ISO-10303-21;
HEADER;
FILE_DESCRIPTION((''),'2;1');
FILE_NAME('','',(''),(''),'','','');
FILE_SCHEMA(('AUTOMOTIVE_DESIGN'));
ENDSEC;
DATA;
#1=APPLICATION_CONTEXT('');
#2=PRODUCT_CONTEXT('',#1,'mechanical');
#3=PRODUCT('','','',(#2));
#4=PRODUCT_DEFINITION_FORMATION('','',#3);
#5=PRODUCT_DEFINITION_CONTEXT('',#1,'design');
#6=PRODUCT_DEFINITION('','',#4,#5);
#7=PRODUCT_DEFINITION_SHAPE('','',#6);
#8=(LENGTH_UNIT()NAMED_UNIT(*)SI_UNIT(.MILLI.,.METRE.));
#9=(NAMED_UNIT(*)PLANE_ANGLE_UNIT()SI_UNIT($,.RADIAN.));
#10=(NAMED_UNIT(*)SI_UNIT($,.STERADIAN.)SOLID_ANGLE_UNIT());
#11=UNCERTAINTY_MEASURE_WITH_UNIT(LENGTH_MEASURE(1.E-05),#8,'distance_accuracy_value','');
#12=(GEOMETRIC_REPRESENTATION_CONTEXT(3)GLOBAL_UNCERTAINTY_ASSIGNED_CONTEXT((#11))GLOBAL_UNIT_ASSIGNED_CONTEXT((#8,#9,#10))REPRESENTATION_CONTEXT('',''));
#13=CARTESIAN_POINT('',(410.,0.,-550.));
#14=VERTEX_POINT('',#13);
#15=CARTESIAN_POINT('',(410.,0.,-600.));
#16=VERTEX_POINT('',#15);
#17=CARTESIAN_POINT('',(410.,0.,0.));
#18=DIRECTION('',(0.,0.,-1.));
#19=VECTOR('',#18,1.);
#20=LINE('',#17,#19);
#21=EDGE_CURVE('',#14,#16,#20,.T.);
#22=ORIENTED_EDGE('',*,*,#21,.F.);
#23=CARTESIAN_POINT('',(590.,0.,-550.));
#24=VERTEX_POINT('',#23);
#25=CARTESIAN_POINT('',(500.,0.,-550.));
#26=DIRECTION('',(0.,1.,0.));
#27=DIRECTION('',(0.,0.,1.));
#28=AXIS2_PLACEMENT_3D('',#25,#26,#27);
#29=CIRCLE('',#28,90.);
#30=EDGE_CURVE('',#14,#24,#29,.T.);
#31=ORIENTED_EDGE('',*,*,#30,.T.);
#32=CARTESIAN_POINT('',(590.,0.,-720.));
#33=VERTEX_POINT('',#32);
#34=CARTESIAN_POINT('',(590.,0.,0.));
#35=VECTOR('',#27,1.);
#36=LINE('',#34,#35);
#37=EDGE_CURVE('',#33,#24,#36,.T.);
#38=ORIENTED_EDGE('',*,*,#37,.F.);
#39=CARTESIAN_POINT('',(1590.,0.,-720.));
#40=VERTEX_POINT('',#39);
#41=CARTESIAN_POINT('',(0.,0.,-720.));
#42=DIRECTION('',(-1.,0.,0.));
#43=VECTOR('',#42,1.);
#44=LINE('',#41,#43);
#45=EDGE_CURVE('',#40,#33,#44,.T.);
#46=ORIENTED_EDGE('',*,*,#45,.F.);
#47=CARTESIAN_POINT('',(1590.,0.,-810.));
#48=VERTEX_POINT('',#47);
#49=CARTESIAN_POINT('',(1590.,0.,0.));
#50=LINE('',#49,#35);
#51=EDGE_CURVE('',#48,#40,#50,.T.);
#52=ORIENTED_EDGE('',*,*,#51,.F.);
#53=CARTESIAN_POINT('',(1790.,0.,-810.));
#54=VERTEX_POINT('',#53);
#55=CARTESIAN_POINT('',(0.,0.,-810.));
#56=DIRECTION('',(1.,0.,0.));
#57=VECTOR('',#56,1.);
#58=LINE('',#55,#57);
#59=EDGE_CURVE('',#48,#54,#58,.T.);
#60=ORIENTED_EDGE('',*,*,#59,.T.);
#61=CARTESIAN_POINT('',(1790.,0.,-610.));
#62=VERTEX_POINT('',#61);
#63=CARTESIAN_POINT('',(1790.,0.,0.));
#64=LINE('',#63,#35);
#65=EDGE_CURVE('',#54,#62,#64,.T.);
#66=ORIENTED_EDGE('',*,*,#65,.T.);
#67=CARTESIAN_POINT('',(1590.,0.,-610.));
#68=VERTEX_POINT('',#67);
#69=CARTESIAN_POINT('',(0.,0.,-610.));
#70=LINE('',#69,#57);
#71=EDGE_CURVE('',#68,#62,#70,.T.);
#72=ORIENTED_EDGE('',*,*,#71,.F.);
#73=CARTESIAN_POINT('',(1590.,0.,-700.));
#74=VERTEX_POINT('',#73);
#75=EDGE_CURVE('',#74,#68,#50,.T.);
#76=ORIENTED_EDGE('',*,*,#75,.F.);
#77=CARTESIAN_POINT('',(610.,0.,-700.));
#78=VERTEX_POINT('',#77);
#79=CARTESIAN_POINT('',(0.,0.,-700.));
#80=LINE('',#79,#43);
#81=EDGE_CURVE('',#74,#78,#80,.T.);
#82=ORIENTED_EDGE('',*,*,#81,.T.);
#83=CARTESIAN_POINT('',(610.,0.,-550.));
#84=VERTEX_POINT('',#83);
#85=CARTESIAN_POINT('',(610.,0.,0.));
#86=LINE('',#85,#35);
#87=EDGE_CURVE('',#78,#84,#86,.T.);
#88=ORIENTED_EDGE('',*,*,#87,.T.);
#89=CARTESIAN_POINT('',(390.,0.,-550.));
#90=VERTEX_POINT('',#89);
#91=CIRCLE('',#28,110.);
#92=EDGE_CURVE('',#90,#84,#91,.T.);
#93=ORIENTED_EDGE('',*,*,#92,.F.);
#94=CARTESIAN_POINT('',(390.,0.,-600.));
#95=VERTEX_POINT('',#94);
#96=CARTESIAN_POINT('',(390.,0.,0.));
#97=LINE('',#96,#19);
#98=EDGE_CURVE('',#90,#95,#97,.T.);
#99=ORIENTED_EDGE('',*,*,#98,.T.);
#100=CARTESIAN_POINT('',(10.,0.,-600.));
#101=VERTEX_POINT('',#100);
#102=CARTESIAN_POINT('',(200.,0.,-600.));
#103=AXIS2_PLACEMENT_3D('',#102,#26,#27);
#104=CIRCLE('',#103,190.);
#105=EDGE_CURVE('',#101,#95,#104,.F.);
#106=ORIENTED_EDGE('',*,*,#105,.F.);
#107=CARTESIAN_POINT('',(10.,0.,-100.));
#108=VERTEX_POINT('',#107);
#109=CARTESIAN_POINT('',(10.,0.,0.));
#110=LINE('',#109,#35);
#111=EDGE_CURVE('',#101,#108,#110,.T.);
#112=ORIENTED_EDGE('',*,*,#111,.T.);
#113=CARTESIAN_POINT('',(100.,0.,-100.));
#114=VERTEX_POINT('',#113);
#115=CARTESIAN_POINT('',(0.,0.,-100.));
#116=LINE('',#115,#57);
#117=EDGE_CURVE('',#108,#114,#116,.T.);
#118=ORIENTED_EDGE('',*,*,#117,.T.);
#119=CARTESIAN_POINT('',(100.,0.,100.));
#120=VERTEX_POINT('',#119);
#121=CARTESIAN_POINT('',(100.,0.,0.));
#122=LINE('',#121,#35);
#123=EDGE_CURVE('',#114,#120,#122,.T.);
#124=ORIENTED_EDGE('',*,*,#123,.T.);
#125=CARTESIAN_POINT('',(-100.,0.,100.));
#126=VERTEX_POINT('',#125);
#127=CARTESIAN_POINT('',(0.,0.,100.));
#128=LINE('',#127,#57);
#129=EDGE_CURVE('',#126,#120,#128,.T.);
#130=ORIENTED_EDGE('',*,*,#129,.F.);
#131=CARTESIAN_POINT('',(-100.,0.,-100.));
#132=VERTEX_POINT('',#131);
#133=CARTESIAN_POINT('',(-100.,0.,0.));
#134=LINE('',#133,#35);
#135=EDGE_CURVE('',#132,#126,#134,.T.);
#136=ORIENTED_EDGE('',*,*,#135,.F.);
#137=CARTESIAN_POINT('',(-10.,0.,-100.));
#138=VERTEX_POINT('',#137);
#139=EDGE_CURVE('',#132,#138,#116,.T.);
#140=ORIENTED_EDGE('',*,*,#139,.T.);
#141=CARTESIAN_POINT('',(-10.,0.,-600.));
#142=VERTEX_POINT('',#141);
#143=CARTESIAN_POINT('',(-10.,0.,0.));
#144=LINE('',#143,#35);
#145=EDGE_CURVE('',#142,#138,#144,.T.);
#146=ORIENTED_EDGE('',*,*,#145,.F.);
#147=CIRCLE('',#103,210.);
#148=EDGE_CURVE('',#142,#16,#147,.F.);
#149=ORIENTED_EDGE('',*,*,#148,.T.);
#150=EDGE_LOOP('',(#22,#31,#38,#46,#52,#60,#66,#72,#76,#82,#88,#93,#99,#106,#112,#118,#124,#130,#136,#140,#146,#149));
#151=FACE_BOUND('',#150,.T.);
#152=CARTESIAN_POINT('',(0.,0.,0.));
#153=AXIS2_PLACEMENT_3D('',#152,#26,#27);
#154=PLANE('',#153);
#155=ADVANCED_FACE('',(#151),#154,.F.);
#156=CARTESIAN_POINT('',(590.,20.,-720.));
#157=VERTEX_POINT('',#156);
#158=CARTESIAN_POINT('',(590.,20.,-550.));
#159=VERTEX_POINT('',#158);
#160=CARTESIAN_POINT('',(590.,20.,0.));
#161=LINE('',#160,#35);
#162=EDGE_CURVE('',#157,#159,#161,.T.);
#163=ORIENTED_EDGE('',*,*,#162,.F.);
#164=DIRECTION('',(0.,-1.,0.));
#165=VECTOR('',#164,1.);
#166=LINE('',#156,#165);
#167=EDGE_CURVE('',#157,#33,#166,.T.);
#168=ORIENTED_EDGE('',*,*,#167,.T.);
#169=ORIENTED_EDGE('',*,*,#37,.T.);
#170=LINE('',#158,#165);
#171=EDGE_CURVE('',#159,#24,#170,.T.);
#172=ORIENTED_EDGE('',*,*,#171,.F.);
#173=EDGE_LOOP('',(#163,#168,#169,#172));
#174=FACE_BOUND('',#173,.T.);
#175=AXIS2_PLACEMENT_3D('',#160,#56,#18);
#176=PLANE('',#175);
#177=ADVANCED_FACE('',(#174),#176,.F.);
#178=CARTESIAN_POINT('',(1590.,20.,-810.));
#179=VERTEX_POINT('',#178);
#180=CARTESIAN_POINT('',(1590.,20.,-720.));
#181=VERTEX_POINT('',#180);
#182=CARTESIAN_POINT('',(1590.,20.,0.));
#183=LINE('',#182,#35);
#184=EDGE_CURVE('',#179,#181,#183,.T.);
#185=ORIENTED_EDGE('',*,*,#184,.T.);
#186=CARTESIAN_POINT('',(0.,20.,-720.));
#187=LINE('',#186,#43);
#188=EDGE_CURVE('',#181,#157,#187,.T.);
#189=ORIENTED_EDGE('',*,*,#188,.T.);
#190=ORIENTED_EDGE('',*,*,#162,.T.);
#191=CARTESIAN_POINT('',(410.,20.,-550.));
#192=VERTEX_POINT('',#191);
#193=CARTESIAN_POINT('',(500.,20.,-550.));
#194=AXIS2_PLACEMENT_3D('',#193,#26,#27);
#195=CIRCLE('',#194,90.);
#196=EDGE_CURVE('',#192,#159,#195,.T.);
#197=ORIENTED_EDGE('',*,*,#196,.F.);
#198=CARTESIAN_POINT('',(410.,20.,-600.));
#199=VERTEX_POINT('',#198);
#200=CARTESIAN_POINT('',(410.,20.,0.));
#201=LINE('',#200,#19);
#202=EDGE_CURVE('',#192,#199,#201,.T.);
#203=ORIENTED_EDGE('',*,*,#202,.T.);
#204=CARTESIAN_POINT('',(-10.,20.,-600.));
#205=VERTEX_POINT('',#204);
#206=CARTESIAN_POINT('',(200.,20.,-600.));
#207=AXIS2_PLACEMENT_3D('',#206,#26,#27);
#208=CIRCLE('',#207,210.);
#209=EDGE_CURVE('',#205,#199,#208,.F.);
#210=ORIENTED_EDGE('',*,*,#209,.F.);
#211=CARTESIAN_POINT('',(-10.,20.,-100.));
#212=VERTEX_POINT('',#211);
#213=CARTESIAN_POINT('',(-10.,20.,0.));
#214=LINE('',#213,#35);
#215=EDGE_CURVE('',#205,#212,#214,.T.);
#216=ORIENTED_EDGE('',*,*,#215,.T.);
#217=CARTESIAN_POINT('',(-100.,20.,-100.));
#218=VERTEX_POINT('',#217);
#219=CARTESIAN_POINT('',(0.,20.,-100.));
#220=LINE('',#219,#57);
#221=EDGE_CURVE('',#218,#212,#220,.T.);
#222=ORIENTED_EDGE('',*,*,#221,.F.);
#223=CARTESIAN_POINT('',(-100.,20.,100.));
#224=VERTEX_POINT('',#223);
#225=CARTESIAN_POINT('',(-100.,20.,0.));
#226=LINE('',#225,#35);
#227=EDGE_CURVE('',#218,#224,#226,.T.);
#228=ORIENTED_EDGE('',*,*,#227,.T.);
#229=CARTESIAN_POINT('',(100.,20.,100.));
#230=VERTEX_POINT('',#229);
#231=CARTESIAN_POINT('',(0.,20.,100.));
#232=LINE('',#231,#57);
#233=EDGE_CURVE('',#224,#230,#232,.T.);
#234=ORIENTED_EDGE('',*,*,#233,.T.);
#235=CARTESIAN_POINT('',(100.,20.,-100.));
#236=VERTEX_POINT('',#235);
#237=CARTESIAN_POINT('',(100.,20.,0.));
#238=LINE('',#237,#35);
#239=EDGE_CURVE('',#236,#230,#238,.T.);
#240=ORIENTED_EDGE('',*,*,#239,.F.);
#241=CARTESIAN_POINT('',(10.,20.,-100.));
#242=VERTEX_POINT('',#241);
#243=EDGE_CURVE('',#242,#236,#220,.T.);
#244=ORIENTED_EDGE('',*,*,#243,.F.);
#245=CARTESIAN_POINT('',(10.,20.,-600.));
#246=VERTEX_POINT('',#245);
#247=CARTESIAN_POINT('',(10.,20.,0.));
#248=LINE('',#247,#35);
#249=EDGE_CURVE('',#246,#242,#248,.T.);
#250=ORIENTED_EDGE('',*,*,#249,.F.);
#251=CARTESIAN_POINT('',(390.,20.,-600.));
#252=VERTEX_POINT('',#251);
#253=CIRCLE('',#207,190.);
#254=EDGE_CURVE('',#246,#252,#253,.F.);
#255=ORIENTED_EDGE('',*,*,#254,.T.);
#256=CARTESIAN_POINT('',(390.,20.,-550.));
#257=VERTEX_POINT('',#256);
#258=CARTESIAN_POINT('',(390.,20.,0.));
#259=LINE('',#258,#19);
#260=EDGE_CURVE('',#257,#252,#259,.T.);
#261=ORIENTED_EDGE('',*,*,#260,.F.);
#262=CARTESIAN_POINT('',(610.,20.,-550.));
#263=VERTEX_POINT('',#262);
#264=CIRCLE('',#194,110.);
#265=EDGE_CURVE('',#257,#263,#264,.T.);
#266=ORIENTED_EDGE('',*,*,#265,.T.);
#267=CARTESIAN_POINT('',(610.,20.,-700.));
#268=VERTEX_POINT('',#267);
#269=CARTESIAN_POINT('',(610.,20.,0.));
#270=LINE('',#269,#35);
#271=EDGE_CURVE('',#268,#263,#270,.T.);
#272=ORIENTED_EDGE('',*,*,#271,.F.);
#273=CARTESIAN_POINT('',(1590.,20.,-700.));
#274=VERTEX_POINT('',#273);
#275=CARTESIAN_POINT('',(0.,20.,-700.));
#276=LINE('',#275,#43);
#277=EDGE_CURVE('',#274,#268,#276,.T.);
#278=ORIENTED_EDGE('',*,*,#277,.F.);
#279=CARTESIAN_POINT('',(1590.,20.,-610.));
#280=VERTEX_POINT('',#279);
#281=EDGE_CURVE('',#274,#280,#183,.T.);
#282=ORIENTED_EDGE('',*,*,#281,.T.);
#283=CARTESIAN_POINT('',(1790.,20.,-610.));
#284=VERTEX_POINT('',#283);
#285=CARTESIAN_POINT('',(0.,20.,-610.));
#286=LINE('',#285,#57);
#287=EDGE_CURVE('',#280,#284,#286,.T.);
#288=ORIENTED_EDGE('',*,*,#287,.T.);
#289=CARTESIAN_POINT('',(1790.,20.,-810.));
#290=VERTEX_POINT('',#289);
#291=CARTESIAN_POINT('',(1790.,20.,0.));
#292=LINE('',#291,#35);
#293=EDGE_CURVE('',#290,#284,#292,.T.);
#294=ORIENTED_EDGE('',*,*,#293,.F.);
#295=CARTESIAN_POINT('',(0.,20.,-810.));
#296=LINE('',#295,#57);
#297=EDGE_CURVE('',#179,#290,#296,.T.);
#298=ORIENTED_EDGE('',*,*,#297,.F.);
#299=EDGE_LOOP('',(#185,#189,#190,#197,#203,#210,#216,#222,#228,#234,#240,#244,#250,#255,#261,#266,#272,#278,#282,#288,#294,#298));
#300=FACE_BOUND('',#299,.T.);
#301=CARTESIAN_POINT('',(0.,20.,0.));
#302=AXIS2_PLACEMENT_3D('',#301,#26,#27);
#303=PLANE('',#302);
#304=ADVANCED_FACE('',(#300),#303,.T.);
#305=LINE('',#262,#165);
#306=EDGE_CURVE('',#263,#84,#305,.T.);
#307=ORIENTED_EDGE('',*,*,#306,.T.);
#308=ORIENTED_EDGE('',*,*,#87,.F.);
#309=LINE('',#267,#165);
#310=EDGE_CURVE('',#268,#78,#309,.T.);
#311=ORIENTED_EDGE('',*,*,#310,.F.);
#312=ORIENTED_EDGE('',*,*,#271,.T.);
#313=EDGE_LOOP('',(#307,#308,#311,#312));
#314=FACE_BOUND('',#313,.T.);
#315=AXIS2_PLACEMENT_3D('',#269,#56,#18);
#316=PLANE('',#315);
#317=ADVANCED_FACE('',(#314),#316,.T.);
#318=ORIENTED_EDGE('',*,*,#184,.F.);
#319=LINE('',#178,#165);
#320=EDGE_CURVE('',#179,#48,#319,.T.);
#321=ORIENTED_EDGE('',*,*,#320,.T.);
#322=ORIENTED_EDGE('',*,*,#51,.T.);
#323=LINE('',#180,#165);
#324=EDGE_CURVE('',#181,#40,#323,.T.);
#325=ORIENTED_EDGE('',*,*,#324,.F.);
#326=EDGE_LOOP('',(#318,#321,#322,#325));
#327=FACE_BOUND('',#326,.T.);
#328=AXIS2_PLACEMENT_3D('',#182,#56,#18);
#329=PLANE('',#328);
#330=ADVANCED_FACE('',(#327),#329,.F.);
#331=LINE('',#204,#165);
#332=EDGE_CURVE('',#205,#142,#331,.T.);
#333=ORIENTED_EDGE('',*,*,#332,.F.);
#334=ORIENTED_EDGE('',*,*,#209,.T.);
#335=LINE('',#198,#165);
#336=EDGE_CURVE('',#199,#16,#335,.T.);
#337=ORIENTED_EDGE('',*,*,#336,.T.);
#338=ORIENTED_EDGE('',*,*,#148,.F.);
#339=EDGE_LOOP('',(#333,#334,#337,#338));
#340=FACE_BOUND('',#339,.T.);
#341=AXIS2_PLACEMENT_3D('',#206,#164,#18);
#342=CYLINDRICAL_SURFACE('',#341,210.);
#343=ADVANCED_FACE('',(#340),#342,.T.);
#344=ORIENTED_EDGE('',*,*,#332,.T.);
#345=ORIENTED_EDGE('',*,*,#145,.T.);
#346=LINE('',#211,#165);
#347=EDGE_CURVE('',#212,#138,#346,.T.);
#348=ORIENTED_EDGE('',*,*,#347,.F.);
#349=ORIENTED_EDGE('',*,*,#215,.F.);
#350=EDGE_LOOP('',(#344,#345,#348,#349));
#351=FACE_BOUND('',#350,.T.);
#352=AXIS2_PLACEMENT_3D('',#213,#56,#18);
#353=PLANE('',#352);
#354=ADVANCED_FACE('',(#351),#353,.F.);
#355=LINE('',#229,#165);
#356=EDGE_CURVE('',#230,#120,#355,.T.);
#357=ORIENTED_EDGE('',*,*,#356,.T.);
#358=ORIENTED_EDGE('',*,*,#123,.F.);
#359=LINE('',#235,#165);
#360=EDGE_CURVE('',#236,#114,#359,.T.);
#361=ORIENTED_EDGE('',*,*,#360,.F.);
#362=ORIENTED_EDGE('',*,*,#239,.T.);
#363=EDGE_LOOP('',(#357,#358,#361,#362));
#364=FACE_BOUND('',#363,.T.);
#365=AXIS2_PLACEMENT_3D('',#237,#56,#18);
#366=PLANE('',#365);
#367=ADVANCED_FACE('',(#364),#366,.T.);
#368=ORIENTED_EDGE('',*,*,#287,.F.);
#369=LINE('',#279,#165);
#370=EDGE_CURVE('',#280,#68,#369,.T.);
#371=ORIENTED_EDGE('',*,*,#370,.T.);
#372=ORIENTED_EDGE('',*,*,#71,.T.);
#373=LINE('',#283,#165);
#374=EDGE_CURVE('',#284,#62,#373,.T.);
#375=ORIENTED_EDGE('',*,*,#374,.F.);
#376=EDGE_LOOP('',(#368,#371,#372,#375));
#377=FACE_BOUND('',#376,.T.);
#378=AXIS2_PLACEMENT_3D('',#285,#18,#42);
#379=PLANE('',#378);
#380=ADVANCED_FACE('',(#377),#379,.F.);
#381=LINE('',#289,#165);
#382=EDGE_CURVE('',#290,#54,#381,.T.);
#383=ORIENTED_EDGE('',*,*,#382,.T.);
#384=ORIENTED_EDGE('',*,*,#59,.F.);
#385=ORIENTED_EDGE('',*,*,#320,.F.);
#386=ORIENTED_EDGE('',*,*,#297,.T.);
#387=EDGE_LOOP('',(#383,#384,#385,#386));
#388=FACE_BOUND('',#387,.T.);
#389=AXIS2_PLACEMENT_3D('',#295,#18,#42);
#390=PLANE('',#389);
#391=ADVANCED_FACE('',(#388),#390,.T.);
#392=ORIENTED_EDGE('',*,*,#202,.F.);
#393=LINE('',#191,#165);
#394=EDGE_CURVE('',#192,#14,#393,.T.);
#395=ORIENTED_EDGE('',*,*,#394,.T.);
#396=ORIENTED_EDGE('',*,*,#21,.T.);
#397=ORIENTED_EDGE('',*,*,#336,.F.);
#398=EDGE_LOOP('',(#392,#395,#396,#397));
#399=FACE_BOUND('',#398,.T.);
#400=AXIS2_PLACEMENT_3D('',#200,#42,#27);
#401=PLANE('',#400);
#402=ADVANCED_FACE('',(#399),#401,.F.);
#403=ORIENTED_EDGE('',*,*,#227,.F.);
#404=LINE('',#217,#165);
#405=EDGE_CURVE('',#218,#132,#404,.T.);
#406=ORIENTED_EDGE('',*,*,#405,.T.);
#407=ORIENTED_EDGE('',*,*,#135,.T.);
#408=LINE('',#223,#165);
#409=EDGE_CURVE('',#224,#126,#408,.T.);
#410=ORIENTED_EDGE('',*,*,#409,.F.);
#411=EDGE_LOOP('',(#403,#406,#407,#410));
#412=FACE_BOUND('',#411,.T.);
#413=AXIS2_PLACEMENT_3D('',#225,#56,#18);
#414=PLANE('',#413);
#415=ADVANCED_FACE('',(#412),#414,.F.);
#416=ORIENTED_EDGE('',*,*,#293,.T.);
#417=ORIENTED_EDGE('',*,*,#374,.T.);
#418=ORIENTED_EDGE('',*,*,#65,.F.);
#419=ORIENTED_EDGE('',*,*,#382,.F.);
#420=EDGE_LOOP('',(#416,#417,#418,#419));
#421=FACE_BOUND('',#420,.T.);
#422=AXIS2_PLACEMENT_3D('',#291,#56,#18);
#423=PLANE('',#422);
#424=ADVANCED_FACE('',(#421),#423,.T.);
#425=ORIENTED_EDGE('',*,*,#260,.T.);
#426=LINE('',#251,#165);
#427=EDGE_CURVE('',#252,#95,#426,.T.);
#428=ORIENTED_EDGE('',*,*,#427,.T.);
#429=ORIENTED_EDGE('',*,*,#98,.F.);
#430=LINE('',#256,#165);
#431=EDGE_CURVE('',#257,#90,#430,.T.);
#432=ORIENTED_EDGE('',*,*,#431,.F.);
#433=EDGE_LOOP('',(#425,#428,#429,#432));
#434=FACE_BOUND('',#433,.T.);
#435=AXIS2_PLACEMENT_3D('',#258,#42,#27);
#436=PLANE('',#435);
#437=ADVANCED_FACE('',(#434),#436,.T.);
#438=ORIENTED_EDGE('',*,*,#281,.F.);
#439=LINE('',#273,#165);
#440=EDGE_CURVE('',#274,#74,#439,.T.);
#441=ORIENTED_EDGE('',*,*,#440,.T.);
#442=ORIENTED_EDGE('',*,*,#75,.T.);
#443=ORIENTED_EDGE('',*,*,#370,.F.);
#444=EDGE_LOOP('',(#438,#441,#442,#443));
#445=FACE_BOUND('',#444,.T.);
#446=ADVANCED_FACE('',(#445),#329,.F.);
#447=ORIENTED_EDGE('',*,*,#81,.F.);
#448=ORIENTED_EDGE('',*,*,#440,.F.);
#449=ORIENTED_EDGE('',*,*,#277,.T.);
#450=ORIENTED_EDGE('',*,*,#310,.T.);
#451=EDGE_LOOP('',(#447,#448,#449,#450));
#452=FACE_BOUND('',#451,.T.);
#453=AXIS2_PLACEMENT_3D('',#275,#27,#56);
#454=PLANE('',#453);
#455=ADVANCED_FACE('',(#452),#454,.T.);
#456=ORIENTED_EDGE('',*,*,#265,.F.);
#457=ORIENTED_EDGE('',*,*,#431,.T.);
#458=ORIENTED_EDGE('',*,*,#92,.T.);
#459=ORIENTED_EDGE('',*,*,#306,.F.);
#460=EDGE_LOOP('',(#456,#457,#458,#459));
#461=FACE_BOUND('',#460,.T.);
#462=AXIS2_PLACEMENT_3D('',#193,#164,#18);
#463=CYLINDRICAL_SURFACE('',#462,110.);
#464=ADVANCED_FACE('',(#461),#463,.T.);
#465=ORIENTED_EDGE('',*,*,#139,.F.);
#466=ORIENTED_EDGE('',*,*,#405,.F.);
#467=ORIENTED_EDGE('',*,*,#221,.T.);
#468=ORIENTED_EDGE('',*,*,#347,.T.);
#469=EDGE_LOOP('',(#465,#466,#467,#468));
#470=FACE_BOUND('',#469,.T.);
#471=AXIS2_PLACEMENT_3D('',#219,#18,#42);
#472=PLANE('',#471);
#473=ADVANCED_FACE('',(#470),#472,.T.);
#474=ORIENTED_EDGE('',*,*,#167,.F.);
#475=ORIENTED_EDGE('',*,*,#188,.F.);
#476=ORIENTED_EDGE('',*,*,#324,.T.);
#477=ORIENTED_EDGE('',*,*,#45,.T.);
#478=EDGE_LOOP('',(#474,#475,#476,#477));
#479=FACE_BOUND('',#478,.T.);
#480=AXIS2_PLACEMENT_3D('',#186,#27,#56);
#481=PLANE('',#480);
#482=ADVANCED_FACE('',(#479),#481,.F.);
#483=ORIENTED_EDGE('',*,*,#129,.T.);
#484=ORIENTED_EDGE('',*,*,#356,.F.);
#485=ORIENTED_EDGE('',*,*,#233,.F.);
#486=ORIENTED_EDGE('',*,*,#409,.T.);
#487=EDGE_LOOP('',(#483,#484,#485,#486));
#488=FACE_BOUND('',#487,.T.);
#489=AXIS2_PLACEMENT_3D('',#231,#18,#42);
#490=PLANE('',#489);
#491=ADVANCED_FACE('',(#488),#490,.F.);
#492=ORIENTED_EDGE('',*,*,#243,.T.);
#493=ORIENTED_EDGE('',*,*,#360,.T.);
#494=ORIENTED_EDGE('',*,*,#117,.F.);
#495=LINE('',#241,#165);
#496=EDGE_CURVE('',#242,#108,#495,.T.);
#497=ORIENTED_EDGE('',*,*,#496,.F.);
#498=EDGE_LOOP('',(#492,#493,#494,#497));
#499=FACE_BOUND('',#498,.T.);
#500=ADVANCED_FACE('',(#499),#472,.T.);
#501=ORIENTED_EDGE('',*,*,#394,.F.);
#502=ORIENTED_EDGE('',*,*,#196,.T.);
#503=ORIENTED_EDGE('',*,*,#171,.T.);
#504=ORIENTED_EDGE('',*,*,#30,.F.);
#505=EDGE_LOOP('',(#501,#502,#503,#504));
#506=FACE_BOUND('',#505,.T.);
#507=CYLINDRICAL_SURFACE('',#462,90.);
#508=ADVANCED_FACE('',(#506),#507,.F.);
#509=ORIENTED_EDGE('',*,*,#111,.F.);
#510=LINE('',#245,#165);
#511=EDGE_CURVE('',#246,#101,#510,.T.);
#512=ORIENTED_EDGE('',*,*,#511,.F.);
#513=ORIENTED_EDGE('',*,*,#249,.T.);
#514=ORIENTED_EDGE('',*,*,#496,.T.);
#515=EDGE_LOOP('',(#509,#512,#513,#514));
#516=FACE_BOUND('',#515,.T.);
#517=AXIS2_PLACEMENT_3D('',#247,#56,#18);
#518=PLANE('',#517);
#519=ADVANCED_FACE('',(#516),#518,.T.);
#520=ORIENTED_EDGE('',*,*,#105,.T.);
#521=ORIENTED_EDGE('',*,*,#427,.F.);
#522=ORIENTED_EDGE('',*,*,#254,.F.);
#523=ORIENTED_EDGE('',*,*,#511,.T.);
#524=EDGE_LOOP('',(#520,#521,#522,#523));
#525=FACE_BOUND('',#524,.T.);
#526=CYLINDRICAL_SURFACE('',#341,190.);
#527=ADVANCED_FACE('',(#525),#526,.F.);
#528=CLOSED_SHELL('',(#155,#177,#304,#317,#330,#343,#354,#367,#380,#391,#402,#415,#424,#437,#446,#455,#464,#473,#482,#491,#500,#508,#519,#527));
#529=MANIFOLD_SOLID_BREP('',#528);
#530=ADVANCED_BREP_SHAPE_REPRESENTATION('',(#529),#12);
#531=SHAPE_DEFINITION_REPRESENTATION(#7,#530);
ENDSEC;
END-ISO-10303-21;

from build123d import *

# Parameters (mm, degrees)
SKETCH1_W           = 200
SKETCH1_H           = 200
SKETCH1_W_2         = 20
SKETCH1_H_2         = 500
SKETCH1_H_3         = 50
SKETCH1_H_4         = 100
BOSS_EXTRUDE1_DEPTH = 20


with BuildPart() as part:
    # Sketch1 → Boss-Extrude1 (new body)
    with BuildSketch(Plane(origin=(0, 0, 0), x_dir=(1, 0, 0), z_dir=(0, 1, 0))):
        Rectangle(SKETCH1_W, SKETCH1_H)
        with Locations((0, 350)):
            Rectangle(SKETCH1_W_2, SKETCH1_H_2)
        with BuildLine():
            Line((-10, 600), (10, 600))
            ThreePointArc((10, 600), (200, 790), (390, 600))
            Line((390, 600), (410, 600))
            ThreePointArc((410, 600), (200, 810), (-10, 600))
        make_face()
        with Locations((400, 575)):
            Rectangle(SKETCH1_W_2, SKETCH1_H_3)
        with BuildLine():
            Line((390, 550), (410, 550))
            ThreePointArc((410, 550), (500, 460), (590, 550))
            Line((590, 550), (610, 550))
            ThreePointArc((610, 550), (500, 440), (390, 550))
        make_face()
        with Locations((600, 575)):
            Rectangle(SKETCH1_W_2, SKETCH1_H_3)
        with Locations((600, 650)):
            Rectangle(SKETCH1_W_2, SKETCH1_H_4)
        Polygon((590, 720), (590, 700), (610, 700), (1590, 700), (1590, 720), align=None)
        Polygon((1590, 720), (1590, 700), (1590, 610), (1790, 610), (1790, 810), (1590, 810), align=None)
    extrude(amount=BOSS_EXTRUDE1_DEPTH)


solid = part.part
